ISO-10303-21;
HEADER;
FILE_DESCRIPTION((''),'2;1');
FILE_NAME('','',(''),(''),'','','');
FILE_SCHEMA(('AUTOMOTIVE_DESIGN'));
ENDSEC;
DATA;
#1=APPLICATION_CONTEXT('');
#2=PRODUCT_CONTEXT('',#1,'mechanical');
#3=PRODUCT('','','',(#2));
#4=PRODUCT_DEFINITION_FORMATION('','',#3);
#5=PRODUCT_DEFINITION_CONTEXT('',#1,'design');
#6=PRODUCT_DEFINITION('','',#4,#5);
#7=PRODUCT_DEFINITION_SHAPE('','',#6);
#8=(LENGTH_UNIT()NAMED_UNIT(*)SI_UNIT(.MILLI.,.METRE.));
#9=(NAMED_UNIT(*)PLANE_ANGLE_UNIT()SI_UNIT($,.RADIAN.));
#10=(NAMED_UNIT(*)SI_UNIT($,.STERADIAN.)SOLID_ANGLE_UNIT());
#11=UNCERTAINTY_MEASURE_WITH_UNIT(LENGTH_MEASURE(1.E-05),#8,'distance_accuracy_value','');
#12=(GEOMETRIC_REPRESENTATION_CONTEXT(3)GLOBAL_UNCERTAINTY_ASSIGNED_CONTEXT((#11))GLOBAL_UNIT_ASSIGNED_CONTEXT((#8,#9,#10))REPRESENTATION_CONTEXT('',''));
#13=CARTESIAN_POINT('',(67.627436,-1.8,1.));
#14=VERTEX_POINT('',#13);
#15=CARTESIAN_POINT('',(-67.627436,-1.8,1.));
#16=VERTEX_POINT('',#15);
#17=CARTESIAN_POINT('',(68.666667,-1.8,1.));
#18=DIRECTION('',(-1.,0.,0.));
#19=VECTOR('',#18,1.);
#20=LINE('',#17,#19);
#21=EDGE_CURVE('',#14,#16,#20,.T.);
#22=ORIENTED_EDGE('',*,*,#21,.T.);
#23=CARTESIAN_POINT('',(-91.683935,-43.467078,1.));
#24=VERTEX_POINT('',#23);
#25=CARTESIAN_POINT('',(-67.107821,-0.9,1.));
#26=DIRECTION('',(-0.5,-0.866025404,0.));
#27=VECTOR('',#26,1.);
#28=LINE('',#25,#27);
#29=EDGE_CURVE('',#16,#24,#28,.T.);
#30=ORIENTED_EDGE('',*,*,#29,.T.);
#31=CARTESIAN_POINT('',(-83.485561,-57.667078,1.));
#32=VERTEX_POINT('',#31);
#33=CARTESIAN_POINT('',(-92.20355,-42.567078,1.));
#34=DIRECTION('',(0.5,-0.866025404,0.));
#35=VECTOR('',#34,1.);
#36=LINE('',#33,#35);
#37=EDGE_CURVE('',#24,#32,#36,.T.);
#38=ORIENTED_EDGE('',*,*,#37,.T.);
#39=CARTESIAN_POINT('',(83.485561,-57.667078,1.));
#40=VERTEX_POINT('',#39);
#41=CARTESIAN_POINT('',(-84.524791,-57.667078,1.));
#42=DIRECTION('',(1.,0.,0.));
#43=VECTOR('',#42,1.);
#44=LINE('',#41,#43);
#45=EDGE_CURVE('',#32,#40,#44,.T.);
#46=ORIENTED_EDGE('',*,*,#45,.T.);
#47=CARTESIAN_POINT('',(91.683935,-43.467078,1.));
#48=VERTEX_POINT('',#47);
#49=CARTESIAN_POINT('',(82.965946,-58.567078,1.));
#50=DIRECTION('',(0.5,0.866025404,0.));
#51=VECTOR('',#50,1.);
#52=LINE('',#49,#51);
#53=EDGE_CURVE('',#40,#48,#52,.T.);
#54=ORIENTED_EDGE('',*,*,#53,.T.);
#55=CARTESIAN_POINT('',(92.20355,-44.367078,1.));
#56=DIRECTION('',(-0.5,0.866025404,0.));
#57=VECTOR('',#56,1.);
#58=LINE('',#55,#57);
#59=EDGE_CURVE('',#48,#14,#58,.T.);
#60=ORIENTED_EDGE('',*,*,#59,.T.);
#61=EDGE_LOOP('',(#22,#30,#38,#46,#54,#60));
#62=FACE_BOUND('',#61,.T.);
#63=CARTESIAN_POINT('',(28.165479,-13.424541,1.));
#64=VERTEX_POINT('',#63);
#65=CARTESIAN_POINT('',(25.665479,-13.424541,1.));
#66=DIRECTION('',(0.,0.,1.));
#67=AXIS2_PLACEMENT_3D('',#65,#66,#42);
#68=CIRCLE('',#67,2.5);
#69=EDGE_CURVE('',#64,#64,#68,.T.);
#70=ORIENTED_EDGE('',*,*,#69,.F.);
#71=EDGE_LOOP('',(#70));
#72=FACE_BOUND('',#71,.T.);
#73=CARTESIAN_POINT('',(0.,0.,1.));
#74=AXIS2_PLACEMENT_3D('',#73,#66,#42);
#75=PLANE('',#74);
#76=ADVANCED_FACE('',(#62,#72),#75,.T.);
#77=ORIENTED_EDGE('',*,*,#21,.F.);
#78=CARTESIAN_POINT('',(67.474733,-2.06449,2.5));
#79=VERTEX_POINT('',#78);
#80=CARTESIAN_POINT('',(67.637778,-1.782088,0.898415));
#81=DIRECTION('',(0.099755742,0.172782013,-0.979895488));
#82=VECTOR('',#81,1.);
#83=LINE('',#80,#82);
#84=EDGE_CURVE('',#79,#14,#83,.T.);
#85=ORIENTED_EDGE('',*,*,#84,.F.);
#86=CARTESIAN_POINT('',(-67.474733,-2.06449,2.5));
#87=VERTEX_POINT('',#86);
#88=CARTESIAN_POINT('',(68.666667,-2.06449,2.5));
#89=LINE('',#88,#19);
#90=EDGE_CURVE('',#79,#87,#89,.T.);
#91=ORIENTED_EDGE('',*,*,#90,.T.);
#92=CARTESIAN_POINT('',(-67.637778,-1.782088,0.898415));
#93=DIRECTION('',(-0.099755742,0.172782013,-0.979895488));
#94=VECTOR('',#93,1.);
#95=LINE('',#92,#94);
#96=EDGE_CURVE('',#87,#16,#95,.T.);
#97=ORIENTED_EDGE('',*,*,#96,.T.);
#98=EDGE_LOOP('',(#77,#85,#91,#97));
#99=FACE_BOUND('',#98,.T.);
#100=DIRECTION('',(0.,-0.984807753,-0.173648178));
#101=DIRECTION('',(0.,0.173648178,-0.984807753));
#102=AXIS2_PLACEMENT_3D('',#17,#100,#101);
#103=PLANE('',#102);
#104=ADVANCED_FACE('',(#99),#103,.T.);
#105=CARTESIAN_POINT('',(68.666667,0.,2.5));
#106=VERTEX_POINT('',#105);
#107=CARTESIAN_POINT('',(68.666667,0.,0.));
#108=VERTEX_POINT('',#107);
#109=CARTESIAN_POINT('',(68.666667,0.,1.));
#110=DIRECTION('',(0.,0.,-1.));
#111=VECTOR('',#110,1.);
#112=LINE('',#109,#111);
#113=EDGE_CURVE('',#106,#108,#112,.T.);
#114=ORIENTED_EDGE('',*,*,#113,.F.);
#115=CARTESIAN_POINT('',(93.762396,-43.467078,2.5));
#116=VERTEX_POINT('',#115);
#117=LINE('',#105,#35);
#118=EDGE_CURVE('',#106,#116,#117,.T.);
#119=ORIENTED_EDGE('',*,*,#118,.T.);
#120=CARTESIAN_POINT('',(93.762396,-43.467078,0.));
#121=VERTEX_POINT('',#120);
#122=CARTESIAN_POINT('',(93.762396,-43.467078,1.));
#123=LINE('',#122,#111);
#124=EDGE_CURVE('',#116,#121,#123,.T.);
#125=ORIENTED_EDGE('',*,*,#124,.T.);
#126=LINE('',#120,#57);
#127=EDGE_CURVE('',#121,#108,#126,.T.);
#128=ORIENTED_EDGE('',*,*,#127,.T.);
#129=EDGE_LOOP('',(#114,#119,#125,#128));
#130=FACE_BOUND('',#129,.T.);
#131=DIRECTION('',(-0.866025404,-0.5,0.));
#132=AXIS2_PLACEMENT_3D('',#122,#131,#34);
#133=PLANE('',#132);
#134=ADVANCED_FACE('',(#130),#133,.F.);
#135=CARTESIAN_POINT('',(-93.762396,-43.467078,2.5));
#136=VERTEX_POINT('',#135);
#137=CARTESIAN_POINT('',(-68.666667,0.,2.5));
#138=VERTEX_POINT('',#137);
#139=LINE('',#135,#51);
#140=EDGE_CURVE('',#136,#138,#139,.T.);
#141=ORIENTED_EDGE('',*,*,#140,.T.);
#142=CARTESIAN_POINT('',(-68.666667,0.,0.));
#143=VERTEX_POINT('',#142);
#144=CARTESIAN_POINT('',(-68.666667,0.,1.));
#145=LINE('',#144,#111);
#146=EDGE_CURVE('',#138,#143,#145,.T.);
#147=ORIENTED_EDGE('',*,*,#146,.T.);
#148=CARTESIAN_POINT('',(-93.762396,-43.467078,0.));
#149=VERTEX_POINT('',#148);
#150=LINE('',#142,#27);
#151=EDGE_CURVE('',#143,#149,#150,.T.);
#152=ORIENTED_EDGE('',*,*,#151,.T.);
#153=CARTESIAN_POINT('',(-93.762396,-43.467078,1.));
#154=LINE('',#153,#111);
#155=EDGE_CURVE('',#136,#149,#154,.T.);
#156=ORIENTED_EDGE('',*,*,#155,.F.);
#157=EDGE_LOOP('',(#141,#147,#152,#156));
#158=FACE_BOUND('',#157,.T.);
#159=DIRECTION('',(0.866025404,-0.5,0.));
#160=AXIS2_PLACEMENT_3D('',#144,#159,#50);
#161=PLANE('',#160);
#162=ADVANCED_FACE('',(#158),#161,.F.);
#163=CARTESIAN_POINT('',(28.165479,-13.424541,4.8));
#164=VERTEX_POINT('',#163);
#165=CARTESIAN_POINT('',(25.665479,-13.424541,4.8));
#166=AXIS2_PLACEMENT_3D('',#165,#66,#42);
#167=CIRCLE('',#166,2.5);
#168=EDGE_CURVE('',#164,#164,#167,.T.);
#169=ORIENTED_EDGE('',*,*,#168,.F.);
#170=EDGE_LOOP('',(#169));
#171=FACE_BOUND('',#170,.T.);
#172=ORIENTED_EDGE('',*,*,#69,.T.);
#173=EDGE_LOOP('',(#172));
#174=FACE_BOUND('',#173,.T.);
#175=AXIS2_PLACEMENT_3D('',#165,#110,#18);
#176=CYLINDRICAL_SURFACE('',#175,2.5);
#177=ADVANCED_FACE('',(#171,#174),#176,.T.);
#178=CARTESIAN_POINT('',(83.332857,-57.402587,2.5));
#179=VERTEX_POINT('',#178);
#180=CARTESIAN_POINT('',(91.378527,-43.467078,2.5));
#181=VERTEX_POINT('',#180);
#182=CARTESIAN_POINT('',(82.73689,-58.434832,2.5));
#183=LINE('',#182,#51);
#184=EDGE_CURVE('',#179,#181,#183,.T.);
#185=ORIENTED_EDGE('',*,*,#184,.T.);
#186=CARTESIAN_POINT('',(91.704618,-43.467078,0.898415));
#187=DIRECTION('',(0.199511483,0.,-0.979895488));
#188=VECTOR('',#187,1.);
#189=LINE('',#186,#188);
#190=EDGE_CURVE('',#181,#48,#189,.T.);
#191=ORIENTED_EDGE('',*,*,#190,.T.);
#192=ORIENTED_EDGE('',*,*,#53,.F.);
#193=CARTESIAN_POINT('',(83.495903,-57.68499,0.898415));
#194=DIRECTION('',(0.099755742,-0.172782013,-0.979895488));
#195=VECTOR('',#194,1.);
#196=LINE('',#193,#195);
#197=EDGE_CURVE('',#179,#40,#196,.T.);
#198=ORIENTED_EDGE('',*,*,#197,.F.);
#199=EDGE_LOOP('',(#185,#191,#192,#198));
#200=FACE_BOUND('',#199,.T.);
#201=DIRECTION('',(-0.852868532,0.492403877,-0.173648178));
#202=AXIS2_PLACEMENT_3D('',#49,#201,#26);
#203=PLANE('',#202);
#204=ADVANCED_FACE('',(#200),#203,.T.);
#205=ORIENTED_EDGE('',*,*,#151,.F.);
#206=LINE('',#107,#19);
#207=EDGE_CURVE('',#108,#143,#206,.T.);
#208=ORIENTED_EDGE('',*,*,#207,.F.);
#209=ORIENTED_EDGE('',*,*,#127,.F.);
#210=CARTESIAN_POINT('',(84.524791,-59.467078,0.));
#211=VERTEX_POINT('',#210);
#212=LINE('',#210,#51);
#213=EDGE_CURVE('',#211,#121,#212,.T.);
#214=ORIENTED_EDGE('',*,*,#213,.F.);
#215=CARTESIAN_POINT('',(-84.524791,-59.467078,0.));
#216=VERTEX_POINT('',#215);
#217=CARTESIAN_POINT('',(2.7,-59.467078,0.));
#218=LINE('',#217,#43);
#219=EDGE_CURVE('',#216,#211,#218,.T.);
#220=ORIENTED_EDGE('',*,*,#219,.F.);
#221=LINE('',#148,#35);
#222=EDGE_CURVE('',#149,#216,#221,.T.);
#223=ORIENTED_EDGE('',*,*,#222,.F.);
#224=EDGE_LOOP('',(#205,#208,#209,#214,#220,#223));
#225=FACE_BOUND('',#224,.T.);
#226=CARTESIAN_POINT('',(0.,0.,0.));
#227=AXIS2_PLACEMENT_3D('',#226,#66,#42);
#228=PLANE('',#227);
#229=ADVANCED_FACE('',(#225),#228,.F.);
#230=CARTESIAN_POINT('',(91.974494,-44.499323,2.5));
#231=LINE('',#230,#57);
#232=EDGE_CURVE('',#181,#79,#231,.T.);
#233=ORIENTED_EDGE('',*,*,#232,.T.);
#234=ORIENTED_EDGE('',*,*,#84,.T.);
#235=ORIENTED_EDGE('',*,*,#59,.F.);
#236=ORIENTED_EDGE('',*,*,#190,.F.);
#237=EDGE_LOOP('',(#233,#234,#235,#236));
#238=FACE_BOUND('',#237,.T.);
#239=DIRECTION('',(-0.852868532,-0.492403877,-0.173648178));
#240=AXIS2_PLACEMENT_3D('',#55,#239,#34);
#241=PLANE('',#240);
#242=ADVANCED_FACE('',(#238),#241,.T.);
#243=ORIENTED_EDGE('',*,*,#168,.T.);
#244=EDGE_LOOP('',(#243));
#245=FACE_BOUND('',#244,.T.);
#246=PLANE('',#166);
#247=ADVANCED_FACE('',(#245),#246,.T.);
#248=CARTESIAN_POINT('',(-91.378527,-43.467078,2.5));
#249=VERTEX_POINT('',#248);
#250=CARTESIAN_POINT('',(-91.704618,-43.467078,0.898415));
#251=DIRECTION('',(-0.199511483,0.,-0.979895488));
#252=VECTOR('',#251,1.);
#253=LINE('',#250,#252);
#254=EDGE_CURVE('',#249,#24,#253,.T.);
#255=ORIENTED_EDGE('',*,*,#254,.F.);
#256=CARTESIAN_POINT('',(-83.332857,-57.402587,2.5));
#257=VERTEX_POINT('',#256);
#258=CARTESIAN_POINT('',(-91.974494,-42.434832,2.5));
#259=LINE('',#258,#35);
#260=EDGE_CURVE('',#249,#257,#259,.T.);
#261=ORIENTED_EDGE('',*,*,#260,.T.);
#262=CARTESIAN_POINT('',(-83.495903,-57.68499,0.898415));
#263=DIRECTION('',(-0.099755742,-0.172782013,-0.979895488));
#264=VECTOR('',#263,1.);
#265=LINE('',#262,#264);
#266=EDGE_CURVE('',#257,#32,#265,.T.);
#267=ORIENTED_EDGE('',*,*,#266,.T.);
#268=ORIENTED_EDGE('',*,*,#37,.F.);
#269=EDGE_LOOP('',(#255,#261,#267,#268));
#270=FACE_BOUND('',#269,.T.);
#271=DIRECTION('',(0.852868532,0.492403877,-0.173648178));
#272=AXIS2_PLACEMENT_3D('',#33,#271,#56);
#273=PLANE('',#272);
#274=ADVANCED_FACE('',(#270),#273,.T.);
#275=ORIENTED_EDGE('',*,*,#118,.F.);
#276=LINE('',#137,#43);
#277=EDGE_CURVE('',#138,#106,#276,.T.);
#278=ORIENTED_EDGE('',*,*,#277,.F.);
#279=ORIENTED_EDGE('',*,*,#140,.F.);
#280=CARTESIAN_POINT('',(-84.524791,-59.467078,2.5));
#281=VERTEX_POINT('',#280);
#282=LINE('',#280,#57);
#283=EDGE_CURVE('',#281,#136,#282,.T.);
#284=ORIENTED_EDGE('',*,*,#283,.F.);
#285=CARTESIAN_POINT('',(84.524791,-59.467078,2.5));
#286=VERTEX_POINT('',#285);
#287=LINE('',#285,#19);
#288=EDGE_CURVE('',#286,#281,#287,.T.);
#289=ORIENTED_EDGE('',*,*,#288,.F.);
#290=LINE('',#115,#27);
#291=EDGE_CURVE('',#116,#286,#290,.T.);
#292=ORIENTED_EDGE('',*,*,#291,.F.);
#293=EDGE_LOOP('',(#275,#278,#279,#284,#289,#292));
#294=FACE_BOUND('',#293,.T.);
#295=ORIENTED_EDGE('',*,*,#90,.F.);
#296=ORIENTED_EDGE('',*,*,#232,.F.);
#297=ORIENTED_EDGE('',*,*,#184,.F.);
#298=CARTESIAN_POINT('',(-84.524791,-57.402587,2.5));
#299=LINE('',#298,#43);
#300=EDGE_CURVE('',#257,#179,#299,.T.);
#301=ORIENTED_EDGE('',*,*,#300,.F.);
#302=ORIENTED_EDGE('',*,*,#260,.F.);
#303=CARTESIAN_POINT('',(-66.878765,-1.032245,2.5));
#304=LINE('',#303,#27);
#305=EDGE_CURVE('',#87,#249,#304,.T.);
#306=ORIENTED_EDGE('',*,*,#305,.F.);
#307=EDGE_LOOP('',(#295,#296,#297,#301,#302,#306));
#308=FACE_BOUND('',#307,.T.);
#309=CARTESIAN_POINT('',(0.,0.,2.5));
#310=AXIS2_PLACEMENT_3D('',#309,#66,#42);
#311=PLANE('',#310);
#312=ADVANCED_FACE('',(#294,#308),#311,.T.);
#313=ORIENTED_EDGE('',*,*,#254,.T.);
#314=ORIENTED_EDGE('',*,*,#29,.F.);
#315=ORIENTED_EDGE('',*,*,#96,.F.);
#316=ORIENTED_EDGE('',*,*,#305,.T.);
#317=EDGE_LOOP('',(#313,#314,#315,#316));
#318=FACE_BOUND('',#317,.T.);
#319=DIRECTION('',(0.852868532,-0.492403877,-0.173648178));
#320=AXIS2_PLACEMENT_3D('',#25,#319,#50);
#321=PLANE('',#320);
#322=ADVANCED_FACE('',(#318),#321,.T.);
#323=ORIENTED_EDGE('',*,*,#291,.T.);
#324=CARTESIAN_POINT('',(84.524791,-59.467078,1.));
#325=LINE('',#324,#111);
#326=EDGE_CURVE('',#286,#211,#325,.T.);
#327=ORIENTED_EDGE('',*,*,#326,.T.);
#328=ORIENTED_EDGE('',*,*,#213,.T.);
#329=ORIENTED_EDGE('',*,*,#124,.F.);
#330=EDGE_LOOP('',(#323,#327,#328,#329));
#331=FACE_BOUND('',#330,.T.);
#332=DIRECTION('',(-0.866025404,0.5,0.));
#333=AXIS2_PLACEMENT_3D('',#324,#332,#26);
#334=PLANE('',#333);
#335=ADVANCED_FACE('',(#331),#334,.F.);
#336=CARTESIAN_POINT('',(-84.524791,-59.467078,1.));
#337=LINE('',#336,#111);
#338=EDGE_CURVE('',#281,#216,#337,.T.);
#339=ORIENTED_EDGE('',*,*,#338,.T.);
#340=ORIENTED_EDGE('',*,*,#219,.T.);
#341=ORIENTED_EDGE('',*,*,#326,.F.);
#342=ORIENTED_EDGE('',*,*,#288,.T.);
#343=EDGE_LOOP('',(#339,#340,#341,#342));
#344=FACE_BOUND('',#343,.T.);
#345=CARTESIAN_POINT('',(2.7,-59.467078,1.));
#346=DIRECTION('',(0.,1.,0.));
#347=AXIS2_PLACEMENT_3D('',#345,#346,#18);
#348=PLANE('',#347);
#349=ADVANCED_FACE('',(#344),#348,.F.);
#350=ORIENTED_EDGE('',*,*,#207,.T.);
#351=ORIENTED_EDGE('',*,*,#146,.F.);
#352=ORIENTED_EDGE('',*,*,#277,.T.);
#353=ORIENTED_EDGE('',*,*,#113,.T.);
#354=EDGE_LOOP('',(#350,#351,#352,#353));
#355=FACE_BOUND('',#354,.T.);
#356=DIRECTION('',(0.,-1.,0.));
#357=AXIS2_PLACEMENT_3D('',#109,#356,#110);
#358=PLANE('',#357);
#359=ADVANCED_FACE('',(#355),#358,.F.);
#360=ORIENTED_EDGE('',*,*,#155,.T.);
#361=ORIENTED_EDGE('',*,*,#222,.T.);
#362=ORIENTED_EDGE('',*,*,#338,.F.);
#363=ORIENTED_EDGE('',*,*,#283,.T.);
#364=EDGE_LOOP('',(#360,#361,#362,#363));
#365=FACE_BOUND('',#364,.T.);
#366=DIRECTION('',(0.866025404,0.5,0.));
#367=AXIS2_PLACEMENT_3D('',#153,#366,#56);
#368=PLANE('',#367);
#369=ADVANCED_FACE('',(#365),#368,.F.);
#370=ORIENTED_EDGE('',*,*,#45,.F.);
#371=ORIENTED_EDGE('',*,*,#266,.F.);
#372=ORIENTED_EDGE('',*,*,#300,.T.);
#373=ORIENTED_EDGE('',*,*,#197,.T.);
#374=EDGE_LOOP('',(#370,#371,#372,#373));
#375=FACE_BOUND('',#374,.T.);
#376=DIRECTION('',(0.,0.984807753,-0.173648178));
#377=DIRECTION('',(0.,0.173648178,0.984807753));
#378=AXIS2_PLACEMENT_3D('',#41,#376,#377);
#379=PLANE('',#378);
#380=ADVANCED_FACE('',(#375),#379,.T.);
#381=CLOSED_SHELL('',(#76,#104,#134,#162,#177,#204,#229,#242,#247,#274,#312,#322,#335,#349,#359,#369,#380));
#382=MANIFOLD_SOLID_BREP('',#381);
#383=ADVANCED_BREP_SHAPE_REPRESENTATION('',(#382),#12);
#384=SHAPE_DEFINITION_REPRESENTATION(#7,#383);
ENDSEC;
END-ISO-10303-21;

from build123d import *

# Parameters (mm, degrees)
BOSS_EXTRU_1_DEPTH              = 1
EXTRU_MINCE1_DEPTH              = 1.5
EXTRU_MINCE1_TAPER              = -10
ENL_V_DE_MAT_EXTRU_MINCE1_DEPTH = 3.5000001
ESQUISSE4_R                     = 2.5
BOSS_EXTRU_2_DEPTH              = 3.8


with BuildPart() as part:
    # Esquisse1 → Boss.-Extru.1 (new body)
    with BuildSketch(Plane.XY):
        Polygon((-84.524791386, -59.467077727), (2.7, -59.467077727), (84.524791386, -59.467077727), (93.762395693, -43.467077727), (68.666666667, 0), (-68.666666667, 0), (-93.762395693, -43.467077727), align=None)
    extrude(amount=BOSS_EXTRU_1_DEPTH)

    # Esquisse2 → Extru.-Mince1 (add)
    with BuildSketch(Plane.XY.offset(1)):
        Polygon((-93.762395693, -43.467077727), (-84.524791386, -59.467077727), (84.524791386, -59.467077727), (93.762395693, -43.467077727), (68.666666667, 0), (-68.666666667, 0), align=None)
        Polygon((-91.683934724, -43.467077727), (-83.485560901, -57.667077727), (83.485560901, -57.667077727), (91.683934724, -43.467077727), (67.627436182, -1.8), (-67.627436182, -1.8), align=None, mode=Mode.SUBTRACT)
    extrude(amount=EXTRU_MINCE1_DEPTH, taper=EXTRU_MINCE1_TAPER)

    # Esquisse3 → Enlèv. de mat.-Extru.-Mince1 (cut, through all)
    with BuildSketch(Plane(origin=(0, 0, 0), x_dir=(-1, 0, 0), z_dir=(0, 0, -1))):
        Polygon((85.621756897, -61.367077727), (95.956326716, -43.467077727), (69.763632178, 1.9), (-69.763632178, 1.9), (-95.956326716, -43.467077727), (-85.621756897, -61.367077727), align=None)
        Polygon((84.524791386, -59.467077727), (93.762395693, -43.467077727), (68.666666667, 0), (-68.666666667, 0), (-93.762395693, -43.467077727), (-84.524791386, -59.467077727), align=None, mode=Mode.SUBTRACT)
    extrude(amount=-ENL_V_DE_MAT_EXTRU_MINCE1_DEPTH, mode=Mode.SUBTRACT)

    # Esquisse4 → Boss.-Extru.2 (add)
    with BuildSketch(Plane.XY.offset(1)):
        with Locations((25.665479371, -13.424541306)):
            Circle(ESQUISSE4_R)
    extrude(amount=BOSS_EXTRU_2_DEPTH)


solid = part.part
